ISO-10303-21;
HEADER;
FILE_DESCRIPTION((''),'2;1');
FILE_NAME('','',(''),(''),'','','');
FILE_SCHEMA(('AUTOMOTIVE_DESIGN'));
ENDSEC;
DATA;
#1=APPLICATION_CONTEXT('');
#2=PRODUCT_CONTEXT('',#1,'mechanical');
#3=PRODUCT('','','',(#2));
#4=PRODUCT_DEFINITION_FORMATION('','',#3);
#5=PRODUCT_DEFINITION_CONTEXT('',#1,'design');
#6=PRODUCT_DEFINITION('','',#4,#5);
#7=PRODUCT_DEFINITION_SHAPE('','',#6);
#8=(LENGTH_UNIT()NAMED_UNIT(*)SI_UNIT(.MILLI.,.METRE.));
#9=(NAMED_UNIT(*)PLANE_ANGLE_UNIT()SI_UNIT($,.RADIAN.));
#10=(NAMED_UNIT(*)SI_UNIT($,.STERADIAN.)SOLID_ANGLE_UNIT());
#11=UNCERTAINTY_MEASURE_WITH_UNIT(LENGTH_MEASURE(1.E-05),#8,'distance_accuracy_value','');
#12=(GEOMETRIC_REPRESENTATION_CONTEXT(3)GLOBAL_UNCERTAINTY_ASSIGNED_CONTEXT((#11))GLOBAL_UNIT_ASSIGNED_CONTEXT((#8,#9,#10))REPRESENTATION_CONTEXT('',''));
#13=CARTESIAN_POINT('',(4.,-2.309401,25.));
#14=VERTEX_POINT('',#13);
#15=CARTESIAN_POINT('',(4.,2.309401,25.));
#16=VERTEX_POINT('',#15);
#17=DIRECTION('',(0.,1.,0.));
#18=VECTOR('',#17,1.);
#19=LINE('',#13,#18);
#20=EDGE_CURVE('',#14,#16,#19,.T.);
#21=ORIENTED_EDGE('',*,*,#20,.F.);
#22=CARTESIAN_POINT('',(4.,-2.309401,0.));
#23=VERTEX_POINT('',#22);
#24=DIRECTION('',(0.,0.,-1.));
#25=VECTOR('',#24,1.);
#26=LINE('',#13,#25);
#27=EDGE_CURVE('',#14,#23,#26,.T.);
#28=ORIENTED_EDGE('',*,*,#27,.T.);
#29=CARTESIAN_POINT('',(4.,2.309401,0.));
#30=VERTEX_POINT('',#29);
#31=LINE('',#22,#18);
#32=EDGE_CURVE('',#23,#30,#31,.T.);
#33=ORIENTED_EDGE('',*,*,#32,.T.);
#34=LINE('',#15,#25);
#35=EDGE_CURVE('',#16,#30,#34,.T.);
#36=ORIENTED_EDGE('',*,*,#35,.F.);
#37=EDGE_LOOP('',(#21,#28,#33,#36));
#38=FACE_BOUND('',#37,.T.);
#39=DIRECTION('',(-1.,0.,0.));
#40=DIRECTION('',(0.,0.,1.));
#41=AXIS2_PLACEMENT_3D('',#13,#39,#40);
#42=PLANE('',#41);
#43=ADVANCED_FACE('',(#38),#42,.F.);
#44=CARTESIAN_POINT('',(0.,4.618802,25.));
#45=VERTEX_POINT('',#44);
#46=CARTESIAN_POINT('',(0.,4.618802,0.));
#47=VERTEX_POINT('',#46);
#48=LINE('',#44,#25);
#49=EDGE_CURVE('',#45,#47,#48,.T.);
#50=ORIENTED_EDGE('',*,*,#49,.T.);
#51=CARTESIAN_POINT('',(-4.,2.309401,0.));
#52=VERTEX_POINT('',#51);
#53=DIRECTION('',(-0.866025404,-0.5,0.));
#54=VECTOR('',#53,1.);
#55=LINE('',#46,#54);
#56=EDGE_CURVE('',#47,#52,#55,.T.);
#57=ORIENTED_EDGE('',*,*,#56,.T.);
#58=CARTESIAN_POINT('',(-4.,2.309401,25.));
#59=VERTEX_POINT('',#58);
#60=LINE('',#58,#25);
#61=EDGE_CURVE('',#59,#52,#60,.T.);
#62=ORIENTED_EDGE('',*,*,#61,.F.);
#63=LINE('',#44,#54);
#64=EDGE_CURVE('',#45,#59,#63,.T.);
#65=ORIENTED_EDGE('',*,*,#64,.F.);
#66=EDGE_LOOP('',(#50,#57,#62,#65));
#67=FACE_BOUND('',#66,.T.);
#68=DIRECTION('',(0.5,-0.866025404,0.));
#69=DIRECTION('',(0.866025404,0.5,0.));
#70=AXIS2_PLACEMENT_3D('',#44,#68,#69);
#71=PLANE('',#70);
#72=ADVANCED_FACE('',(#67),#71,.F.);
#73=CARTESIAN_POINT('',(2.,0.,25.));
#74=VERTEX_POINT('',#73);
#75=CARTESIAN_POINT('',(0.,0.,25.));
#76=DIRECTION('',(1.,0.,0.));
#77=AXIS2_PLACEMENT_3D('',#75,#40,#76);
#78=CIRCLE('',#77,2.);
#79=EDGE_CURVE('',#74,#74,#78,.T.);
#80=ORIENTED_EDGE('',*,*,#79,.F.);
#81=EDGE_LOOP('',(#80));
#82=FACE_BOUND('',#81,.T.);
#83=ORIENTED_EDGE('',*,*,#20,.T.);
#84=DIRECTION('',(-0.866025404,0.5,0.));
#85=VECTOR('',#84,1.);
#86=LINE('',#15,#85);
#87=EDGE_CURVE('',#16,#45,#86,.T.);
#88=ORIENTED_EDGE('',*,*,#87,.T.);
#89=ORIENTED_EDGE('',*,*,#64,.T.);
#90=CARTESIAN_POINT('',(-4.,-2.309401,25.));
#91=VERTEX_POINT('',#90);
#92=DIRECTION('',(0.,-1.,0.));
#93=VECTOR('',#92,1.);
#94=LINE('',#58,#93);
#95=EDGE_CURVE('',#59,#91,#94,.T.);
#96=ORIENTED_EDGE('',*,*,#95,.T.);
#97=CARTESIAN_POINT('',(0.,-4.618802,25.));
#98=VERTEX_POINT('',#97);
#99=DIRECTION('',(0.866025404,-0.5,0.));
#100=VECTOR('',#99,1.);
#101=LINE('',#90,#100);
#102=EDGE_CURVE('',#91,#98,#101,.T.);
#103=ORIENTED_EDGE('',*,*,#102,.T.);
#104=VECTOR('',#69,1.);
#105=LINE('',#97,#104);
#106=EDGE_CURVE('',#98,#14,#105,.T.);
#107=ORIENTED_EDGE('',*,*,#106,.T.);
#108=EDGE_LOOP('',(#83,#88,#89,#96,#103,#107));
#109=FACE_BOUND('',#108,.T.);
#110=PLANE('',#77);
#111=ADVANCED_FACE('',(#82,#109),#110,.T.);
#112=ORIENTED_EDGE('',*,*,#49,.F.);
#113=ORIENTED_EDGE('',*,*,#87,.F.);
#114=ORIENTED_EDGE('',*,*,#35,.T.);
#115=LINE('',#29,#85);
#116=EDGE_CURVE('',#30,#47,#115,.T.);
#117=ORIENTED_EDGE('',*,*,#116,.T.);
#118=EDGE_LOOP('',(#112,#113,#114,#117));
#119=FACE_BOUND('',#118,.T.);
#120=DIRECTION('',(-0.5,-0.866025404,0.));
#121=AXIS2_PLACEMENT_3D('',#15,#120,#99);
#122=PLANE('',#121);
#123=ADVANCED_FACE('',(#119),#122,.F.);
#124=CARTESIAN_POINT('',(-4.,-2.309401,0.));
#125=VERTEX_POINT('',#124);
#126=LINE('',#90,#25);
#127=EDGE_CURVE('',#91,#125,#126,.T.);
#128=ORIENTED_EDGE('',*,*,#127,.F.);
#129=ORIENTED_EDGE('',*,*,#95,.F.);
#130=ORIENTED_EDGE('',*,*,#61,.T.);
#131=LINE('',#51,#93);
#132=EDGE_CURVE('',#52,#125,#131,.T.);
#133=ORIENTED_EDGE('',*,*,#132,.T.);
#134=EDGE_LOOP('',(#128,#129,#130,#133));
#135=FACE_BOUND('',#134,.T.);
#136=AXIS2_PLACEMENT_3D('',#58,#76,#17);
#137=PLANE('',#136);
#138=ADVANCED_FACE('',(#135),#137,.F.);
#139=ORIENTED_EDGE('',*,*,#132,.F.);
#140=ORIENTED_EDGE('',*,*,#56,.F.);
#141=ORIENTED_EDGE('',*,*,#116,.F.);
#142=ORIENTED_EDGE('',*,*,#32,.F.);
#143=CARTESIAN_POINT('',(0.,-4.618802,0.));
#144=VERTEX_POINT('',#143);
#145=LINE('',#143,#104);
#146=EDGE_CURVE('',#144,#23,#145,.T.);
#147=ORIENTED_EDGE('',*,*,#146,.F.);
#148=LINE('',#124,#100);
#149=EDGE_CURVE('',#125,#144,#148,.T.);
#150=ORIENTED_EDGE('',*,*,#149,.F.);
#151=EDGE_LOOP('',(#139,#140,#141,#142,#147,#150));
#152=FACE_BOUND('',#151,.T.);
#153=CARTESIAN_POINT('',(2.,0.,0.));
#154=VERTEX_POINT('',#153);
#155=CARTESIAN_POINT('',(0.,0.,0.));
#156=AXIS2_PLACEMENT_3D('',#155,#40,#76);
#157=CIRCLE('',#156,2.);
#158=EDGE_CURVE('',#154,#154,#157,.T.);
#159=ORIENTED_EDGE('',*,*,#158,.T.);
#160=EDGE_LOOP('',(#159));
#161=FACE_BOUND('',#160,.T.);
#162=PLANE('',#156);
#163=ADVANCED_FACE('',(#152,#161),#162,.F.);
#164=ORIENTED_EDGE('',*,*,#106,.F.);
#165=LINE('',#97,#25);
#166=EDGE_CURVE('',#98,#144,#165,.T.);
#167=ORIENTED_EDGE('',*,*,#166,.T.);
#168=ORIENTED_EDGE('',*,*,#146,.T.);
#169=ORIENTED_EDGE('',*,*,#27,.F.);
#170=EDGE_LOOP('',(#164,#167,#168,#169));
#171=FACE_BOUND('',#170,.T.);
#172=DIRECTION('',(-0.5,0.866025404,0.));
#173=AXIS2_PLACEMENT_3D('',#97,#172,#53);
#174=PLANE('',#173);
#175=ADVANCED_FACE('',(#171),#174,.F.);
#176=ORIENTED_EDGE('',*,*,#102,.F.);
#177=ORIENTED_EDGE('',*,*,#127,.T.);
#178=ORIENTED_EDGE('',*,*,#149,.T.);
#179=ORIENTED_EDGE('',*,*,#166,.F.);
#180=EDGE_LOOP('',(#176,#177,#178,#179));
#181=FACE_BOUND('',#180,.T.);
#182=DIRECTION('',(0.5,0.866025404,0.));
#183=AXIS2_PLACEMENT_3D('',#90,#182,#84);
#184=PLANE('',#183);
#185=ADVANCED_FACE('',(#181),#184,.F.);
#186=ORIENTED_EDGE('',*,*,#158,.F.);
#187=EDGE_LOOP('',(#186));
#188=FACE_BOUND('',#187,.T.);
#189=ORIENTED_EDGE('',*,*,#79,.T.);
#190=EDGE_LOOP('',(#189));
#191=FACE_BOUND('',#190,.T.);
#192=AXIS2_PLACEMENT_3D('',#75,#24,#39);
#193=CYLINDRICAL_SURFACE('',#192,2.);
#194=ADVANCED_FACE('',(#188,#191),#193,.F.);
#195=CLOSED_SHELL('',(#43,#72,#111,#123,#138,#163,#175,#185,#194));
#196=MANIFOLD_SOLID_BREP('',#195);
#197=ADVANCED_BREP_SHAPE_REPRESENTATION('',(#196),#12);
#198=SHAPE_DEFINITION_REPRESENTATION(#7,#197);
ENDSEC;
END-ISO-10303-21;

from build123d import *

# Parameters (mm, degrees)
ESQUISSE1_R        = 2
BOSS_EXTRU_1_DEPTH = 25


with BuildPart() as part:
    # Esquisse1 → Boss.-Extru.1 (new body)
    with BuildSketch(Plane.XY):
        Polygon((4, -2.309401077), (4, 2.309401077), (0, 4.618802154), (-4, 2.309401077), (-4, -2.309401077), (0, -4.618802154), align=None)
        Circle(ESQUISSE1_R, mode=Mode.SUBTRACT)
    extrude(amount=BOSS_EXTRU_1_DEPTH)


solid = part.part
